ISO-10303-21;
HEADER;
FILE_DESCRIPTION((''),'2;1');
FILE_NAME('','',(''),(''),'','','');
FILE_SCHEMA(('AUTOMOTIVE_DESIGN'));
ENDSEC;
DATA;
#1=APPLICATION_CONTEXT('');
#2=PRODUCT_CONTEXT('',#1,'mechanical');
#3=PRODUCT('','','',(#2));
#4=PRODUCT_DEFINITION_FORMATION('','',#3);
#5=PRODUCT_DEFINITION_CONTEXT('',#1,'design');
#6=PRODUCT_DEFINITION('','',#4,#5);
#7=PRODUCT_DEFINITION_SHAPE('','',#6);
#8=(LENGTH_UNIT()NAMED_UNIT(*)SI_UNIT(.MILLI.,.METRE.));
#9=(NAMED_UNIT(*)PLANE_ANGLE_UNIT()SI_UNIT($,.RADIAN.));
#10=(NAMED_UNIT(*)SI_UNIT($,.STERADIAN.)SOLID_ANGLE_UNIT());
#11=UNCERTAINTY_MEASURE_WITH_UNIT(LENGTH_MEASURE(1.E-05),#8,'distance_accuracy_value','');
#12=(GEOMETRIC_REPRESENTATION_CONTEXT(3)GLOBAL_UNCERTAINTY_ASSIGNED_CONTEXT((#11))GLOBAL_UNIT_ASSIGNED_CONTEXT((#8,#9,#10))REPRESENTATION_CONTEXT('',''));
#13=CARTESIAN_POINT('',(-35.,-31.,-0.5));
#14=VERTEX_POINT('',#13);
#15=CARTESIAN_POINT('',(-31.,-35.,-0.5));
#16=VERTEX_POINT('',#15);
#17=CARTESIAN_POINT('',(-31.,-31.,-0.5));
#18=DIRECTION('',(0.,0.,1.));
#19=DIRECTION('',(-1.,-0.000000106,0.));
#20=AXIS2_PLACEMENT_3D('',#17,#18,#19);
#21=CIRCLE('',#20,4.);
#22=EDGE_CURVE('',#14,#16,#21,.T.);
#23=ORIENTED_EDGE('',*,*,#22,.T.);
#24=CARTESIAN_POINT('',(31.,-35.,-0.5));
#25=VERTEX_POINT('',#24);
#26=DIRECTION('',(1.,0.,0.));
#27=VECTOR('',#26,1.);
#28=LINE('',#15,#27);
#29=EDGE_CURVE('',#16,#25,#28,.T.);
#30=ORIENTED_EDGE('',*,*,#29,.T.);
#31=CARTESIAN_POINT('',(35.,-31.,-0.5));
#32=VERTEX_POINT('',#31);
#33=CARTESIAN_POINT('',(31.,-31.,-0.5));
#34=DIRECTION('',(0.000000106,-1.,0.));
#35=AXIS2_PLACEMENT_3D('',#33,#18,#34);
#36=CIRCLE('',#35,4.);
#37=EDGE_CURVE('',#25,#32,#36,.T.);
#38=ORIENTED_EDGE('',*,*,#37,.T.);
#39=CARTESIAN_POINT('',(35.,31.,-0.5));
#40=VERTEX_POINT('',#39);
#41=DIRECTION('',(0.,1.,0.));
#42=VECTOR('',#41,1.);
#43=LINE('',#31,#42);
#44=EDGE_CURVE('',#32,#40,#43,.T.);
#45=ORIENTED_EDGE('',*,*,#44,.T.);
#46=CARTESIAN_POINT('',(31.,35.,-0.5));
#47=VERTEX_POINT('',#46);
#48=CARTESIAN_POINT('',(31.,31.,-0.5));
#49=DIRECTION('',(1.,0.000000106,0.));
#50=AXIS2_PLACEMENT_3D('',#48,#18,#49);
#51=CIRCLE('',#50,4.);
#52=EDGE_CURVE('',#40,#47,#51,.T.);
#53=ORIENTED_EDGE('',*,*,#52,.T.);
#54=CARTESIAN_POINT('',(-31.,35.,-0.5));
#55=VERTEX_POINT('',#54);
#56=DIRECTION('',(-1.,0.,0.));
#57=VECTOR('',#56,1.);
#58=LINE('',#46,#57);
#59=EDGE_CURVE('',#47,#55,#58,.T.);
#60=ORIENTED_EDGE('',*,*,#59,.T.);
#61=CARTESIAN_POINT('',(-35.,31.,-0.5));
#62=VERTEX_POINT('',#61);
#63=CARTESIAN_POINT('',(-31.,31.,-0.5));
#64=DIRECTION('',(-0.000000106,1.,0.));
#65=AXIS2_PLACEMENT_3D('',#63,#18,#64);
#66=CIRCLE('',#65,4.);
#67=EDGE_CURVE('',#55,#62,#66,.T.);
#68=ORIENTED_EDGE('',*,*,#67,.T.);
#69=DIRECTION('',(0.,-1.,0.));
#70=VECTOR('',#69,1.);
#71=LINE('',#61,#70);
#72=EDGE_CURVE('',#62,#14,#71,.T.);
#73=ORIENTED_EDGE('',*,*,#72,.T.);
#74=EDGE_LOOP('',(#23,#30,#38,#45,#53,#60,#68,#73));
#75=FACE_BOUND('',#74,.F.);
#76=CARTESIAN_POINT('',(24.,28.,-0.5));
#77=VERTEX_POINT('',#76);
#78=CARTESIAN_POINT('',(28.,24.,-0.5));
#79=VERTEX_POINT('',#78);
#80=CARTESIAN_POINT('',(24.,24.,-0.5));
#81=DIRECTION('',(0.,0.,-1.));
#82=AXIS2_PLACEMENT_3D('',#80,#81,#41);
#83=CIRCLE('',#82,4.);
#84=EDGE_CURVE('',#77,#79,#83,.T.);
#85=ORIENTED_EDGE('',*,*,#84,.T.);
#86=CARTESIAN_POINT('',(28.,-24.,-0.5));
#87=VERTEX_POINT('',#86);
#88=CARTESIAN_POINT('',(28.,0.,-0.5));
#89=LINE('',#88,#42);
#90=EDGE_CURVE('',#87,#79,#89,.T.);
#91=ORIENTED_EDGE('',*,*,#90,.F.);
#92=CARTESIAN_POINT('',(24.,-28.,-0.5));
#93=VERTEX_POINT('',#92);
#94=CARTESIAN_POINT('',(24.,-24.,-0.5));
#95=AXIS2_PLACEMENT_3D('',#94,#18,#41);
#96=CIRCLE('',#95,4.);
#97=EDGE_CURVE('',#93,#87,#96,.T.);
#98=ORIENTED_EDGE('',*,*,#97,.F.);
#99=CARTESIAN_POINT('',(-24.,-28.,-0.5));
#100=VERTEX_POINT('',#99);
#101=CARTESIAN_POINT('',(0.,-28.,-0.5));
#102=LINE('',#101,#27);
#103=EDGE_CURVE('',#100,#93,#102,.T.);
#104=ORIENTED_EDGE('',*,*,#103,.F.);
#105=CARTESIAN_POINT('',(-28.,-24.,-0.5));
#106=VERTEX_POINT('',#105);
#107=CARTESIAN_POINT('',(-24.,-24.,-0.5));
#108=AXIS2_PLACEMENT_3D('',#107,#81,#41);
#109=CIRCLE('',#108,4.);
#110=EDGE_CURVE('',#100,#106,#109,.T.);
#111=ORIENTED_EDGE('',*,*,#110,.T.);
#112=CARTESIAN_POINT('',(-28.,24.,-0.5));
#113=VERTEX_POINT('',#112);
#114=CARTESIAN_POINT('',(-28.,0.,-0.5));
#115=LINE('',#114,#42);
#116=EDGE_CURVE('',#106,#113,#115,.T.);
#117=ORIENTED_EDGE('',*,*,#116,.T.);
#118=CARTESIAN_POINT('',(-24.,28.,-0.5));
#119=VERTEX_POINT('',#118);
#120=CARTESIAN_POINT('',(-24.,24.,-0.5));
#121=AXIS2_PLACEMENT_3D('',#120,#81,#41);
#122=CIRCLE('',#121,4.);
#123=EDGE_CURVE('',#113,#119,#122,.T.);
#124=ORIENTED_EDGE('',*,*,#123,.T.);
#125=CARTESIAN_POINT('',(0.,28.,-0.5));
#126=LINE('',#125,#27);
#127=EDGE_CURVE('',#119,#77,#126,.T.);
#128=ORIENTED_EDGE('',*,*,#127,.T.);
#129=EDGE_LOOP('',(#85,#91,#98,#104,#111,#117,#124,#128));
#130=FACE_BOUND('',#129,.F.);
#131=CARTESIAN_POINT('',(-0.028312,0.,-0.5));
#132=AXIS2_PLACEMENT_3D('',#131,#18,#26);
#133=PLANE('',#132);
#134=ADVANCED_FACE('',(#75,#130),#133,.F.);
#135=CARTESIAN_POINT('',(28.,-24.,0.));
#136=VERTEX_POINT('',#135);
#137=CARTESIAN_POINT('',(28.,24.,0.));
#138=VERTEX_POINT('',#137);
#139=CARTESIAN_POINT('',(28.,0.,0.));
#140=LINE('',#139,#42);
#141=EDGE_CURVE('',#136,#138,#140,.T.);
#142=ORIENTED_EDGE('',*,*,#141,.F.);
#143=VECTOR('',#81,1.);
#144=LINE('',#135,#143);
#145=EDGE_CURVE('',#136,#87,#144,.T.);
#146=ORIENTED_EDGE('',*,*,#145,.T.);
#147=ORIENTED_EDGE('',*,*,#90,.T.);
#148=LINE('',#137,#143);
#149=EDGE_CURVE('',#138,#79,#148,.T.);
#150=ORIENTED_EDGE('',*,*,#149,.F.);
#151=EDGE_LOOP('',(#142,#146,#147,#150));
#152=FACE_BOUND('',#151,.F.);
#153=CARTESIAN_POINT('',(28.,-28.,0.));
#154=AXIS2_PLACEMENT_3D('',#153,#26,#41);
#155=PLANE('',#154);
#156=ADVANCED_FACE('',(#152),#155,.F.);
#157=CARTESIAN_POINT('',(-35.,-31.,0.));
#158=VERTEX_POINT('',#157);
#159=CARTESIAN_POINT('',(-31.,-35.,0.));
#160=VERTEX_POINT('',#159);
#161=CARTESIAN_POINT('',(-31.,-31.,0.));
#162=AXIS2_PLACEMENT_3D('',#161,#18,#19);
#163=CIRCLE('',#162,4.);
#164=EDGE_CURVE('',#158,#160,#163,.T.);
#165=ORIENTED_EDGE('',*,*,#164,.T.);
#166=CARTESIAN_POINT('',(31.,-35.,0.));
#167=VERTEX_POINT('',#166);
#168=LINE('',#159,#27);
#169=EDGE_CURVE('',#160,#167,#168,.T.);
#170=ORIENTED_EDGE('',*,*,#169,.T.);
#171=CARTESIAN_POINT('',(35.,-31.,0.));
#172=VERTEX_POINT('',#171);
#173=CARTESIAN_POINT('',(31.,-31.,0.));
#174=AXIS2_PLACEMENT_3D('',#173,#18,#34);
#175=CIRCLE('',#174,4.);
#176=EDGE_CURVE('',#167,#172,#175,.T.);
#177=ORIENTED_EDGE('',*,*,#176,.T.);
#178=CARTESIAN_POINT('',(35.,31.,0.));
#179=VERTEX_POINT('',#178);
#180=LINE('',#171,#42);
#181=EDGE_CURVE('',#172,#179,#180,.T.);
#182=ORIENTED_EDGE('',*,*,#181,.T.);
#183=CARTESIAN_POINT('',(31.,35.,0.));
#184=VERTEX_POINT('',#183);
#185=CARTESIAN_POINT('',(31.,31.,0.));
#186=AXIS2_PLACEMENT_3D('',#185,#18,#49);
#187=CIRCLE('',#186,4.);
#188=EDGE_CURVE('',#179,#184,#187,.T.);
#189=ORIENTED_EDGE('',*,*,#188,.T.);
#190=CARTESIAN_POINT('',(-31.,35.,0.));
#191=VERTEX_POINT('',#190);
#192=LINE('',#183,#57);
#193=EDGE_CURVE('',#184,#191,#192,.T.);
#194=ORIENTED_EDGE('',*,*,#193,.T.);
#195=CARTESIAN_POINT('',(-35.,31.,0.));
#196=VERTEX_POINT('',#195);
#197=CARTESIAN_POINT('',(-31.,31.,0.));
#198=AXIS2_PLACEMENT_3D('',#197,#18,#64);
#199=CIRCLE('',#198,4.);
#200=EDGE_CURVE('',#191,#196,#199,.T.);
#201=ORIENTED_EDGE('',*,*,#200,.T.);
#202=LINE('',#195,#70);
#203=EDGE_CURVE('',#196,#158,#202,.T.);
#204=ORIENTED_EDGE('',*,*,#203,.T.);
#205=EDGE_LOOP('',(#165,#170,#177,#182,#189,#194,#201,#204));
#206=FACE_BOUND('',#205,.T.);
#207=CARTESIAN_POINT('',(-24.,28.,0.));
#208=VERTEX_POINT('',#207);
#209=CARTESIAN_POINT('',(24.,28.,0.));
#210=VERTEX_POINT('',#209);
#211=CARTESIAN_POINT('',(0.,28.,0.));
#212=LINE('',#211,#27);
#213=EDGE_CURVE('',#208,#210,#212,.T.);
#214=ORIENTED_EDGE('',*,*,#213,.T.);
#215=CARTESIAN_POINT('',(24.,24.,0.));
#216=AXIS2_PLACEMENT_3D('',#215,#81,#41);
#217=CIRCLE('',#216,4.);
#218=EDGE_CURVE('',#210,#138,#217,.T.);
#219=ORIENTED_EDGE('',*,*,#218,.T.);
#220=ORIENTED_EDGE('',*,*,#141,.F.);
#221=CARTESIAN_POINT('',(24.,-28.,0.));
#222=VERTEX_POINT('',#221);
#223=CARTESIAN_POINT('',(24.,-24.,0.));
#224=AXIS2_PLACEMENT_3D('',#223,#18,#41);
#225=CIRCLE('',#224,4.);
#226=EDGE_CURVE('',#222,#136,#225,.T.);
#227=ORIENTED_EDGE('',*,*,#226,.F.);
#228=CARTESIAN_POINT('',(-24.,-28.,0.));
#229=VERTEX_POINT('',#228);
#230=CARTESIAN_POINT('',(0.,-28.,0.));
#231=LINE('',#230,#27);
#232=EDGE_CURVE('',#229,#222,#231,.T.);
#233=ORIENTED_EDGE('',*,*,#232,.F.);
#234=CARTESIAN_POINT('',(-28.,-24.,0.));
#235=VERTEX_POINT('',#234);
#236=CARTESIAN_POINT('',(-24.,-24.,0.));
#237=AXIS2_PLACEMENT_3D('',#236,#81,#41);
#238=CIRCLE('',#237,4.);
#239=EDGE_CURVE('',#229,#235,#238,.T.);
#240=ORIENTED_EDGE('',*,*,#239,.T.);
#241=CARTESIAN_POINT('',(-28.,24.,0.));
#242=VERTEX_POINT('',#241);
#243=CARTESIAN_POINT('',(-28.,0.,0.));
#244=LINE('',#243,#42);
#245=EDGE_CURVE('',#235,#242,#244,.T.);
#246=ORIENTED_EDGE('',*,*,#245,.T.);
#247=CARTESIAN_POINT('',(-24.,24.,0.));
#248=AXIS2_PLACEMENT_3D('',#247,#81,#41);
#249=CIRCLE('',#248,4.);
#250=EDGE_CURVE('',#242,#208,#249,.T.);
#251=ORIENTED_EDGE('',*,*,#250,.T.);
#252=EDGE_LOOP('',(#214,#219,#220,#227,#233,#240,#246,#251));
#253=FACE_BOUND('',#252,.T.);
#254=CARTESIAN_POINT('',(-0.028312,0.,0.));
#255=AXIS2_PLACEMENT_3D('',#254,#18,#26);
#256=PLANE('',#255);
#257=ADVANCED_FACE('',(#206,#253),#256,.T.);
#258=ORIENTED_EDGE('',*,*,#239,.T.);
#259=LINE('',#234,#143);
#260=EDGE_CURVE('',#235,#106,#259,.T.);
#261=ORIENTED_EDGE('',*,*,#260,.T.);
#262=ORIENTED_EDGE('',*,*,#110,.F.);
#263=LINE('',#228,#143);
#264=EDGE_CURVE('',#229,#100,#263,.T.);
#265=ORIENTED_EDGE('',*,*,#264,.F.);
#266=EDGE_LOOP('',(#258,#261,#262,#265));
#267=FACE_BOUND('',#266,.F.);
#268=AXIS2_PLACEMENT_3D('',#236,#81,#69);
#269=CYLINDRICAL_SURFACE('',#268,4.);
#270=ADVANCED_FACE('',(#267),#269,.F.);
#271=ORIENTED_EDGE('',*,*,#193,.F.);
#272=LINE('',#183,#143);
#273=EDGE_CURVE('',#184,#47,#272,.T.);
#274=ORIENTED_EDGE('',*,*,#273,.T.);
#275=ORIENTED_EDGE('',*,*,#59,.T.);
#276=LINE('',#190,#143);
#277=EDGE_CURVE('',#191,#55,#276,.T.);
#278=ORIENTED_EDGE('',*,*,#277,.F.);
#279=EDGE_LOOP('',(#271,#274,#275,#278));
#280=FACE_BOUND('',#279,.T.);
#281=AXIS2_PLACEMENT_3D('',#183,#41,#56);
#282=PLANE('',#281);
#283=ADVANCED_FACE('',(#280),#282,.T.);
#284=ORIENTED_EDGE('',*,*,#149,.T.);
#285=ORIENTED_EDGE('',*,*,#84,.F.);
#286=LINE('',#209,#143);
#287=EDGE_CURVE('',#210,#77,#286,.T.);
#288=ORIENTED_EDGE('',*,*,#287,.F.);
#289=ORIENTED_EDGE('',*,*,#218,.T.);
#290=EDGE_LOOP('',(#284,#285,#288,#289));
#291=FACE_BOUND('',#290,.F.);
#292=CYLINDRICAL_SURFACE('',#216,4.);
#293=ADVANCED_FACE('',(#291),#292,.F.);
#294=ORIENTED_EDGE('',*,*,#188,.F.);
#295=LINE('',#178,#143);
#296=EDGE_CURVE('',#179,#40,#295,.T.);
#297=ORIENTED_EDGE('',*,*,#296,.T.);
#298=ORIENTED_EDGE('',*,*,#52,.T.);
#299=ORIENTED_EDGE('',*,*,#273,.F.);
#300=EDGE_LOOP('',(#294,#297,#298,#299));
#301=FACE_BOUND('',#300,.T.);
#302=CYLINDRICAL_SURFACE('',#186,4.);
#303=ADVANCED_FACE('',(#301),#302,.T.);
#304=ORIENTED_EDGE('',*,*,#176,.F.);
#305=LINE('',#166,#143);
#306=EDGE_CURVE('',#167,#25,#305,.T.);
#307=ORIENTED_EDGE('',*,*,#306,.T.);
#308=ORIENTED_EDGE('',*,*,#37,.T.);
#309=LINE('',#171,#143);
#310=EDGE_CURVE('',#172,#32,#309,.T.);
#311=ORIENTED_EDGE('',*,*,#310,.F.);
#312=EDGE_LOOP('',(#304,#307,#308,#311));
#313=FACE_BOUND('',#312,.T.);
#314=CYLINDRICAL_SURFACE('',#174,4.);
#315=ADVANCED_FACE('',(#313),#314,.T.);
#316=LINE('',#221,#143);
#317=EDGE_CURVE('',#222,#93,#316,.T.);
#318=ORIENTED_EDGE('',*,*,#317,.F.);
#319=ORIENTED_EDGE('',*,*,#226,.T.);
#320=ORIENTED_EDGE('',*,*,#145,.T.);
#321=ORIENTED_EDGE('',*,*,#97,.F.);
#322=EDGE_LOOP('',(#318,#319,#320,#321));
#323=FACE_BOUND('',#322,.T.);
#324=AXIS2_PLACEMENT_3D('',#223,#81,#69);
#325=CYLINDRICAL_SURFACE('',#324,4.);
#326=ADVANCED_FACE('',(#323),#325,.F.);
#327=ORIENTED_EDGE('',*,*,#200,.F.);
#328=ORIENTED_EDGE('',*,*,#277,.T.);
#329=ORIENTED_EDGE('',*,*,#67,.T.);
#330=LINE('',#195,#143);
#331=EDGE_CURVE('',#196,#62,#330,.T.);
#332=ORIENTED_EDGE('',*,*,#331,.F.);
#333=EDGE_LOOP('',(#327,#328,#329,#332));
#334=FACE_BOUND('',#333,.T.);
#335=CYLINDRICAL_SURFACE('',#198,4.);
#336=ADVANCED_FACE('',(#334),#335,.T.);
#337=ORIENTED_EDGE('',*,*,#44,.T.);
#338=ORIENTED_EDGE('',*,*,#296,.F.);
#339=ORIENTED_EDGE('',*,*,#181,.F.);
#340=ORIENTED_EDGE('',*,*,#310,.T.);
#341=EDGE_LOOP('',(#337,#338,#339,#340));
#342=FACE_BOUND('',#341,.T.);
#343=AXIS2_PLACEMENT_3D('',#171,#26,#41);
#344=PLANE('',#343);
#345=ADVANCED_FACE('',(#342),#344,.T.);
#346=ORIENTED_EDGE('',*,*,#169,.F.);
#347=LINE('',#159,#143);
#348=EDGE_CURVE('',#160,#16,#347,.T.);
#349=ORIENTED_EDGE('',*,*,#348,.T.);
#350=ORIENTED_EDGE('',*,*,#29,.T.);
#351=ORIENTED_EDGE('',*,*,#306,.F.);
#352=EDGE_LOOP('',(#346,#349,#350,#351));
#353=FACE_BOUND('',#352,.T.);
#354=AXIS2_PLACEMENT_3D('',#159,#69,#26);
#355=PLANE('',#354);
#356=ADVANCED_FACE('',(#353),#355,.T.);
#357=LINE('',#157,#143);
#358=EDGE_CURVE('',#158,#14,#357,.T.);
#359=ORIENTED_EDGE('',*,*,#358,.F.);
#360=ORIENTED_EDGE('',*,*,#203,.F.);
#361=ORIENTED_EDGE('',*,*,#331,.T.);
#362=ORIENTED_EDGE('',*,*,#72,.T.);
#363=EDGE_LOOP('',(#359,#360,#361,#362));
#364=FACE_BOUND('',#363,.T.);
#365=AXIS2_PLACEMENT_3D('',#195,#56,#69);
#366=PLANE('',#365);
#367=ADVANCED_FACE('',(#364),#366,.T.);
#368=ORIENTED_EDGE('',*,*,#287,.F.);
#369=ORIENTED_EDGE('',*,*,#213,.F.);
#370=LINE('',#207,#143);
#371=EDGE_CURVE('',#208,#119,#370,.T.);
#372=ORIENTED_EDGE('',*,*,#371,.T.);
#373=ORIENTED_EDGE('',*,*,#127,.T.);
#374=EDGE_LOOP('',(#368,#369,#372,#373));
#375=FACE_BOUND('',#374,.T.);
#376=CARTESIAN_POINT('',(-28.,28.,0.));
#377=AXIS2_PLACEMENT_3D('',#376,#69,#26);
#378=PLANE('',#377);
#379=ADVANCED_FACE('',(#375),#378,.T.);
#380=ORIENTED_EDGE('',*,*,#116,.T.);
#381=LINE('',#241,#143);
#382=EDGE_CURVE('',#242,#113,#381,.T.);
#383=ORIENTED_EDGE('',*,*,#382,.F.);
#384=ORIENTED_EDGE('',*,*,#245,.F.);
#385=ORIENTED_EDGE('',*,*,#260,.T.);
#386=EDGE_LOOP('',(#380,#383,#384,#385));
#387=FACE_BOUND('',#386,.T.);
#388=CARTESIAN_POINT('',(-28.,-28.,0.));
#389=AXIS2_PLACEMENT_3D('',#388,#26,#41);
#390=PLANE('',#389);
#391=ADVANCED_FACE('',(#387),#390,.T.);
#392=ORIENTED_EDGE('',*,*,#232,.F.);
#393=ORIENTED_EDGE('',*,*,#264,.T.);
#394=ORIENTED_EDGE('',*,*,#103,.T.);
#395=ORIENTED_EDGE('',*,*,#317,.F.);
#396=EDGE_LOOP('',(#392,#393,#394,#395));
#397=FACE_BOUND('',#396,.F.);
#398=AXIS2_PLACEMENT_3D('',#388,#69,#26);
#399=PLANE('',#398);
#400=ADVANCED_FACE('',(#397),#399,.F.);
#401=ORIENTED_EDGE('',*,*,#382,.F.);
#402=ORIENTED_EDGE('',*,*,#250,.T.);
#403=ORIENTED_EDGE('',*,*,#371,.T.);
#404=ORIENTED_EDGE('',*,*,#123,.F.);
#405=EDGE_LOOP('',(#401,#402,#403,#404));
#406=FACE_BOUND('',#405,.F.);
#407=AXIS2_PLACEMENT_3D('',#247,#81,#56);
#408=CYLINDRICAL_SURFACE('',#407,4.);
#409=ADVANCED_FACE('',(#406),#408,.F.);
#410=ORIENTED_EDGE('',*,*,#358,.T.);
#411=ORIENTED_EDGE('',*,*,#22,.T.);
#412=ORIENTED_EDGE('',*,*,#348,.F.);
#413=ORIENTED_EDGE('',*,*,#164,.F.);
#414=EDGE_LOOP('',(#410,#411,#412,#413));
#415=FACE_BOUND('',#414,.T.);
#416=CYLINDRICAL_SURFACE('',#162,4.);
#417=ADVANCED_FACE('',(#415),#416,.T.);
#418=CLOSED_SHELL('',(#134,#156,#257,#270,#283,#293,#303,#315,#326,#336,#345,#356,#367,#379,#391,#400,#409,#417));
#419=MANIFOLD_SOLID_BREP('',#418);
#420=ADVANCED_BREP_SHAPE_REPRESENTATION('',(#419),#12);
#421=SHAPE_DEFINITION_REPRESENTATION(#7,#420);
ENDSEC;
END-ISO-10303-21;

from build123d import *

# Parameters (mm, degrees)
F0_W     = 56
F0_H     = 56
F1_DEPTH = 0.5
F2_R     = 4


with BuildPart() as f1:
    # F0 (on Top) → F1 (new body)
    with BuildSketch(Plane.XY):
        with BuildLine():
            Line((27.535898, 33), (-27.535898, 33))
            ThreePointArc((-27.535898, 33), (-27.136297, 32.035276), (-27, 31))
            ThreePointArc((-27, 31), (-29, 27.535898), (-33, 27.535898))
            Line((-33, 27.535898), (-33, -27.535898))
            ThreePointArc((-33, -27.535898), (-29, -27.535898), (-27, -31))
            ThreePointArc((-27, -31), (-27.136297, -32.035276), (-27.535898, -33))
            Line((-27.535898, -33), (27.535898, -33))
            ThreePointArc((27.535898, -33), (28.171573, -28.171573), (33, -27.535898))
            Line((33, -27.535898), (33, 27.535898))
            ThreePointArc((33, 27.535898), (28.171573, 28.171573), (27.535898, 33))
        make_face()
        Rectangle(F0_W, F0_H, mode=Mode.SUBTRACT)
        with BuildLine():
            Line((31, 35), (-31, 35))
            ThreePointArc((-31, 35), (-29, 34.464102), (-27.535898, 33))
            Line((-27.535898, 33), (27.535898, 33))
            ThreePointArc((27.535898, 33), (29, 34.464102), (31, 35))
        make_face()
        with BuildLine():
            ThreePointArc((35, 31), (33.828427, 33.828427), (31, 35))
            ThreePointArc((31, 35), (29, 34.464102), (27.535898, 33))
            ThreePointArc((27.535898, 33), (28.171573, 28.171573), (33, 27.535898))
            ThreePointArc((33, 27.535898), (34.464102, 29), (35, 31))
        make_face()
        with BuildLine():
            Line((35, -31), (35, 31))
            ThreePointArc((35, 31), (34.464102, 29), (33, 27.535898))
            Line((33, 27.535898), (33, -27.535898))
            ThreePointArc((33, -27.535898), (34.464102, -29), (35, -31))
        make_face()
        with BuildLine():
            ThreePointArc((31, -35), (33.828427, -33.828427), (35, -31))
            ThreePointArc((35, -31), (34.464102, -29), (33, -27.535898))
            ThreePointArc((33, -27.535898), (28.171573, -28.171573), (27.535898, -33))
            ThreePointArc((27.535898, -33), (29, -34.464102), (31, -35))
        make_face()
        with BuildLine():
            ThreePointArc((-27.535898, -33), (-29, -34.464102), (-31, -35))
            Line((-31, -35), (31, -35))
            ThreePointArc((31, -35), (29, -34.464102), (27.535898, -33))
            Line((27.535898, -33), (-27.535898, -33))
        make_face()
        with BuildLine():
            ThreePointArc((-33, 27.535898), (-34.464102, 29), (-35, 31))
            Line((-35, 31), (-35, -31))
            ThreePointArc((-35, -31), (-34.464102, -29), (-33, -27.535898))
            Line((-33, -27.535898), (-33, 27.535898))
        make_face()
        with BuildLine():
            ThreePointArc((-33, -27.535898), (-34.464102, -29), (-35, -31))
            ThreePointArc((-35, -31), (-33.828427, -33.828427), (-31, -35))
            ThreePointArc((-31, -35), (-29, -34.464102), (-27.535898, -33))
            ThreePointArc((-27.535898, -33), (-27.136297, -32.035276), (-27, -31))
            ThreePointArc((-27, -31), (-29, -27.535898), (-33, -27.535898))
        make_face()
        with BuildLine():
            ThreePointArc((-27.535898, 33), (-29, 34.464102), (-31, 35))
            ThreePointArc((-31, 35), (-33.828427, 33.828427), (-35, 31))
            ThreePointArc((-35, 31), (-34.464102, 29), (-33, 27.535898))
            ThreePointArc((-33, 27.535898), (-29, 27.535898), (-27, 31))
            ThreePointArc((-27, 31), (-27.136297, 32.035276), (-27.535898, 33))
        make_face()
    extrude(amount=-F1_DEPTH)

    # F2
    f2_edges = [f1.edges().sort_by_distance(p)[0] for p in [
        (-28, -28, -0.25),
        (-28, 28, -0.25),
        (28, 28, -0.25),
        (28, -28, -0.25),
    ]]
    fillet(f2_edges, radius=F2_R)


solid = f1.part
